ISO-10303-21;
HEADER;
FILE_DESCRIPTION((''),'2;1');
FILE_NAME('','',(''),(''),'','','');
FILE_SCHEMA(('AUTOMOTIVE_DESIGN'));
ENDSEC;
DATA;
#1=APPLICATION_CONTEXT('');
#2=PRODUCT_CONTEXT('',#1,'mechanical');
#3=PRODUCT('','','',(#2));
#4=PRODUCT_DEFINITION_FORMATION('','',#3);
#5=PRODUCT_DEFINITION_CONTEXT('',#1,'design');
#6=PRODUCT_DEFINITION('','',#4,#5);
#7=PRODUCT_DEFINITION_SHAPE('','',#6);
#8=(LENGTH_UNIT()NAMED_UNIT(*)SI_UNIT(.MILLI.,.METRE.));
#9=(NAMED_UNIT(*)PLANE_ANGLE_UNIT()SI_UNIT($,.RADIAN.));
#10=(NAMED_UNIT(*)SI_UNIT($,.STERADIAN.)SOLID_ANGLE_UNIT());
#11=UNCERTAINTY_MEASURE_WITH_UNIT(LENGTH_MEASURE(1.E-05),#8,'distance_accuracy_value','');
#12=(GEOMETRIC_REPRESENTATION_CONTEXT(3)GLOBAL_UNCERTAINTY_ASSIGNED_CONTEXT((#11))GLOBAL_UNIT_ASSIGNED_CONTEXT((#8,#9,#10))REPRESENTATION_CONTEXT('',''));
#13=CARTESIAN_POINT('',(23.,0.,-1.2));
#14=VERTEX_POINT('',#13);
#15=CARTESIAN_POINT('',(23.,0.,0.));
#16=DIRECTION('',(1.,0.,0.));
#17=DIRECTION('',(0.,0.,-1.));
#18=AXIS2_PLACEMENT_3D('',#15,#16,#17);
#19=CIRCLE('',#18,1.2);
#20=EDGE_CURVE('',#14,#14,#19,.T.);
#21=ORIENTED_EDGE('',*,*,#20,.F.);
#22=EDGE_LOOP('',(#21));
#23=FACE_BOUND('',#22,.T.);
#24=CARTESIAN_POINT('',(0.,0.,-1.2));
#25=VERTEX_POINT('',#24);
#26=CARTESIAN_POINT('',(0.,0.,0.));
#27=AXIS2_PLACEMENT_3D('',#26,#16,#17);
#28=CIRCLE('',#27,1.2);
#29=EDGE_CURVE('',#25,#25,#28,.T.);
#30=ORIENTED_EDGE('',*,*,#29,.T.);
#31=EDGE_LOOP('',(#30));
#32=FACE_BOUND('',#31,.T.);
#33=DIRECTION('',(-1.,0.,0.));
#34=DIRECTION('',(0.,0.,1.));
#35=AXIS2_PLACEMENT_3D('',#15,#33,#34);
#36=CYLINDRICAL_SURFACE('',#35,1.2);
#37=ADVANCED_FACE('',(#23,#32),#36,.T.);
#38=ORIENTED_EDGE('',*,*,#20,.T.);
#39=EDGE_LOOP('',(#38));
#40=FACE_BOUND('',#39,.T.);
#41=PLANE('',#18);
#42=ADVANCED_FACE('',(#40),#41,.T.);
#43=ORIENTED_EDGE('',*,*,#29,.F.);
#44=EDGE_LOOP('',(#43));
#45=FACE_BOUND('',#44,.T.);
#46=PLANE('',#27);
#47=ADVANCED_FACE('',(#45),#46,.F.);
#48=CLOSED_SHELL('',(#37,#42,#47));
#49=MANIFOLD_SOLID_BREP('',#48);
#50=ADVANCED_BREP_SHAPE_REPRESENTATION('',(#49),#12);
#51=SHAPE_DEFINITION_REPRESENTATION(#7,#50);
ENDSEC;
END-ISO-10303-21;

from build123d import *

# Parameters (mm, degrees)
SKETCH1_R           = 1.2
BOSS_EXTRUDE1_DEPTH = 23


with BuildPart() as part:
    # Sketch1 → Boss-Extrude1 (new body)
    with BuildSketch(Plane(origin=(0, 0, 0), x_dir=(0, 0, -1), z_dir=(1, 0, 0))):
        Circle(SKETCH1_R)
    extrude(amount=BOSS_EXTRUDE1_DEPTH)


solid = part.part
